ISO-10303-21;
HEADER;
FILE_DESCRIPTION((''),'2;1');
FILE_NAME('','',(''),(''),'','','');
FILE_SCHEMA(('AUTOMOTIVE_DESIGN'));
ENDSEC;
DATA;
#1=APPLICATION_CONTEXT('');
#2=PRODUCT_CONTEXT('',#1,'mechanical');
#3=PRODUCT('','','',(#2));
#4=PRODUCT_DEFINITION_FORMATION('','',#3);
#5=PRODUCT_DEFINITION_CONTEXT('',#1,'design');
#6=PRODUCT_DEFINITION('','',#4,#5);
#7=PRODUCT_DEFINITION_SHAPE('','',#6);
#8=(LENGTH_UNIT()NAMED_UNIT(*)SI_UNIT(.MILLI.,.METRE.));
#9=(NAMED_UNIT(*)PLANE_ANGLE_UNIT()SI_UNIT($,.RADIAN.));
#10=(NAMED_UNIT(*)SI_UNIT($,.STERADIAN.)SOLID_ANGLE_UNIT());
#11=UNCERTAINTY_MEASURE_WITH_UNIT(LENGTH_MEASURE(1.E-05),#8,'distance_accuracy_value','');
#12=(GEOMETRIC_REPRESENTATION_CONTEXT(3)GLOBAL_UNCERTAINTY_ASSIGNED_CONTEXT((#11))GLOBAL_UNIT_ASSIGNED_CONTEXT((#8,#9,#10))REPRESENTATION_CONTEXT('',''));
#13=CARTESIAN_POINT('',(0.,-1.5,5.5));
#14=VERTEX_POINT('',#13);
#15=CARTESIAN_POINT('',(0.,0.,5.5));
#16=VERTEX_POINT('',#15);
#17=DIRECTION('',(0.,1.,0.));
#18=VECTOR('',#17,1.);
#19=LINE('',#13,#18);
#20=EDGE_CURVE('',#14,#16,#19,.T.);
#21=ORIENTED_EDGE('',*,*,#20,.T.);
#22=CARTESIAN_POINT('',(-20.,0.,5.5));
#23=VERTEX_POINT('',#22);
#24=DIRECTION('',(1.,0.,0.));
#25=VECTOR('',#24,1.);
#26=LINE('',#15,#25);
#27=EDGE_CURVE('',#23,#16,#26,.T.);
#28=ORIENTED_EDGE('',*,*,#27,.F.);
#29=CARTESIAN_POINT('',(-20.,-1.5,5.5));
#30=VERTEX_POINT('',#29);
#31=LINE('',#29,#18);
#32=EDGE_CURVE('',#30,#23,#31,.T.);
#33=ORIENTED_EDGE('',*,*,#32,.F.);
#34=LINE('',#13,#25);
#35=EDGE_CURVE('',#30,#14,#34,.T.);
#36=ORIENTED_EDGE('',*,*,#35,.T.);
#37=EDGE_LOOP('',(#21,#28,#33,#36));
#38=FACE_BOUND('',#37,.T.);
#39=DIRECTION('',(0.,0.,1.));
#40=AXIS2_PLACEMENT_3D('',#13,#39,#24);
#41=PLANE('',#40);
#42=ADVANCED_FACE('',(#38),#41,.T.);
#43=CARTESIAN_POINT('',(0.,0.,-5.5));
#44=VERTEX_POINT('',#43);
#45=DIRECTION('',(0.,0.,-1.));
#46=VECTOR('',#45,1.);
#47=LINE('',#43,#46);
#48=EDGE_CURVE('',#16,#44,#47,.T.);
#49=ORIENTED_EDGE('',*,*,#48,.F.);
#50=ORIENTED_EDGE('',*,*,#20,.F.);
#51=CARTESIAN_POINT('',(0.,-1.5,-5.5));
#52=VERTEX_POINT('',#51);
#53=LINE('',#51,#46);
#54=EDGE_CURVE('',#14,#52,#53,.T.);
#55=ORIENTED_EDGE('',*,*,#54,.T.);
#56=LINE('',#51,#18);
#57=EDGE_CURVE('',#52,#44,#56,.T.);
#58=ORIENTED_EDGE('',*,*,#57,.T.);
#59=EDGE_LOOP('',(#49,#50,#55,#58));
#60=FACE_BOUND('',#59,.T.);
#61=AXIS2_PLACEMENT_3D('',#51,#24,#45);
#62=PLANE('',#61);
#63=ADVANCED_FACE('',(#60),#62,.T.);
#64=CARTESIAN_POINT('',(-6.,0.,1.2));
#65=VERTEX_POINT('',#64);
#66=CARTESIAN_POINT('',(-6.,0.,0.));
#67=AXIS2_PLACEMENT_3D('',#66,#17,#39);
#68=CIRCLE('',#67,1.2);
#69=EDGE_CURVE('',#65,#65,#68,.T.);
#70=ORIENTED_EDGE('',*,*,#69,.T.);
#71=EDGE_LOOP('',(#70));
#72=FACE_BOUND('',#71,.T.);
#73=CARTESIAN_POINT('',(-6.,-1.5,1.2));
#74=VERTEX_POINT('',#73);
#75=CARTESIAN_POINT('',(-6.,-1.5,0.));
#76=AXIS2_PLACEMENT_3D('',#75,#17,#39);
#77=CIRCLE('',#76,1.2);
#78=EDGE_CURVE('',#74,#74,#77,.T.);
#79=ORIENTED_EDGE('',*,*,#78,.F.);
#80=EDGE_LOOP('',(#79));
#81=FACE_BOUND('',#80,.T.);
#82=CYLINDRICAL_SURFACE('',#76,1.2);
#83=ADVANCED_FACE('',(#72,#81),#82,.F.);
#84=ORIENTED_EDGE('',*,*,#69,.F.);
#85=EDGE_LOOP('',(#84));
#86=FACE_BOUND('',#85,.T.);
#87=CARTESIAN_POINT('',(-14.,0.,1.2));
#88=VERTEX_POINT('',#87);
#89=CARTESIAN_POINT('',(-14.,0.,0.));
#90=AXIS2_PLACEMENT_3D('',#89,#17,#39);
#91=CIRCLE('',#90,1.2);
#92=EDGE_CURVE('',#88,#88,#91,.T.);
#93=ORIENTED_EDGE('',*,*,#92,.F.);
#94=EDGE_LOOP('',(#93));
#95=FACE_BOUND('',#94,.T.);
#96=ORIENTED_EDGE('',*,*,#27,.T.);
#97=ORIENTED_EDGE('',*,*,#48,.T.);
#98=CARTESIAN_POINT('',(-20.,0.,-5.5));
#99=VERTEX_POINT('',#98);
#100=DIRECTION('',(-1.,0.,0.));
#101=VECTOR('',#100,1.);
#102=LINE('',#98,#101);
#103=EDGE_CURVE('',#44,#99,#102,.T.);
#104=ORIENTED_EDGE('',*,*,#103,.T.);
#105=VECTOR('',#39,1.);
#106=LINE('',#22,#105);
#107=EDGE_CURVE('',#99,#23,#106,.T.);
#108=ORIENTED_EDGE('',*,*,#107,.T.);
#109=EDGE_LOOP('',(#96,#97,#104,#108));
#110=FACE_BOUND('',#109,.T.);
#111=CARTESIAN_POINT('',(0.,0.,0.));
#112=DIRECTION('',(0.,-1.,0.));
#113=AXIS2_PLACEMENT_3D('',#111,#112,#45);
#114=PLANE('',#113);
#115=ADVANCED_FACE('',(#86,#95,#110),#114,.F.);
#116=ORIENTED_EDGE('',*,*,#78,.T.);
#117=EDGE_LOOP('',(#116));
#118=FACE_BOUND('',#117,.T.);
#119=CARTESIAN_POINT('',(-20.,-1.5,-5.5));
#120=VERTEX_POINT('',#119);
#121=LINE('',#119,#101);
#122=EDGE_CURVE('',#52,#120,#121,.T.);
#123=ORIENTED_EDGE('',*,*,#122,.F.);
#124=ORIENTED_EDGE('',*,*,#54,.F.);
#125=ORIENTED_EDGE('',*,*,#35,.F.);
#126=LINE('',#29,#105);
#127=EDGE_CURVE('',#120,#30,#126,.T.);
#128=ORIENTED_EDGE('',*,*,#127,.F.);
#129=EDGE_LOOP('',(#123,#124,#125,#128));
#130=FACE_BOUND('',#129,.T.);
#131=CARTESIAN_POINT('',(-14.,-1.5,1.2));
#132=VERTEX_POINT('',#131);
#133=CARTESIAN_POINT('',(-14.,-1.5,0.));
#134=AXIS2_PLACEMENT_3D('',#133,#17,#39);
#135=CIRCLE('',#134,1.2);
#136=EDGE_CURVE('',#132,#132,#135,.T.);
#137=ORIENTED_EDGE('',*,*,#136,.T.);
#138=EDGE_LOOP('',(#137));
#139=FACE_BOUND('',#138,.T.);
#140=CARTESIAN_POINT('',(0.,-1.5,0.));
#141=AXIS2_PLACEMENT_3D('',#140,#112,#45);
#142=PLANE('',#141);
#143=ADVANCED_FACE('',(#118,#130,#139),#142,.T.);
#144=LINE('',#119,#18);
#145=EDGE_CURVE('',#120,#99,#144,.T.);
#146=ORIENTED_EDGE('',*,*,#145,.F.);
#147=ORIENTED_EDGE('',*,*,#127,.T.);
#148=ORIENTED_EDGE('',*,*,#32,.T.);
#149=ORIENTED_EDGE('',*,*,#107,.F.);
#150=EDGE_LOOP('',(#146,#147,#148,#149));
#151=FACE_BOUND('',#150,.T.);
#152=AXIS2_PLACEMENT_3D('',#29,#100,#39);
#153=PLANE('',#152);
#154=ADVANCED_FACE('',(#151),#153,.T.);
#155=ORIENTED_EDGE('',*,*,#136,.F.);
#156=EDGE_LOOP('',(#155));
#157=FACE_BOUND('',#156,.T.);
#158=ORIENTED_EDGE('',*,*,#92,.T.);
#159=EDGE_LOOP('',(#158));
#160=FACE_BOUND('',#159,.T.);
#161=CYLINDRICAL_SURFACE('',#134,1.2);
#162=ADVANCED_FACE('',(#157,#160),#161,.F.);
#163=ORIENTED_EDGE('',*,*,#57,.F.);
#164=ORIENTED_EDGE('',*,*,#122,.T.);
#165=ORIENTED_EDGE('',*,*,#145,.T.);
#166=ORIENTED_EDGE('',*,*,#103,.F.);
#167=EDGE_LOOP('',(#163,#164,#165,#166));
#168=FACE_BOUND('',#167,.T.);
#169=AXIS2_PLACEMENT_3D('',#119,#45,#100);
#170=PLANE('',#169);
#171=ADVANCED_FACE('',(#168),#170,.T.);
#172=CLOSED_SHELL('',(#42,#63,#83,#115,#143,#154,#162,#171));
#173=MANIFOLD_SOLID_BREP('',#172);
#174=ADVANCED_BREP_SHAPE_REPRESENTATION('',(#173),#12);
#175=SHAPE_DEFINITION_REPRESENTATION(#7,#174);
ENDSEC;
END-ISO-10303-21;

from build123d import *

# Parameters (mm, degrees)
SKETCH1_W           = 20
SKETCH1_H           = 11
BOSS_EXTRUDE1_DEPTH = 1.5
SKETCH2_R           = 1.2
CUT_EXTRUDE1_DEPTH  = 1.5


with BuildPart() as part:
    # Sketch1 → Boss-Extrude1 (new body)
    with BuildSketch(Plane(origin=(0, 0, 0), x_dir=(1, 0, 0), z_dir=(0, 1, 0))):
        with Locations((-10, 0)):
            Rectangle(SKETCH1_W, SKETCH1_H)
    extrude(amount=-BOSS_EXTRUDE1_DEPTH)

    # Sketch2 → Cut-Extrude1 (cut)
    with BuildSketch(Plane(origin=(0, 0, 0), x_dir=(1, 0, 0), z_dir=(0, 1, 0))):
        with Locations(Location((-6, 0, 0), (0, 0, 270))):
            Circle(SKETCH2_R)
        with Locations(Location((-14, 0, 0), (0, 0, 270))):
            Circle(SKETCH2_R)
    extrude(amount=-CUT_EXTRUDE1_DEPTH, mode=Mode.SUBTRACT)


solid = part.part
